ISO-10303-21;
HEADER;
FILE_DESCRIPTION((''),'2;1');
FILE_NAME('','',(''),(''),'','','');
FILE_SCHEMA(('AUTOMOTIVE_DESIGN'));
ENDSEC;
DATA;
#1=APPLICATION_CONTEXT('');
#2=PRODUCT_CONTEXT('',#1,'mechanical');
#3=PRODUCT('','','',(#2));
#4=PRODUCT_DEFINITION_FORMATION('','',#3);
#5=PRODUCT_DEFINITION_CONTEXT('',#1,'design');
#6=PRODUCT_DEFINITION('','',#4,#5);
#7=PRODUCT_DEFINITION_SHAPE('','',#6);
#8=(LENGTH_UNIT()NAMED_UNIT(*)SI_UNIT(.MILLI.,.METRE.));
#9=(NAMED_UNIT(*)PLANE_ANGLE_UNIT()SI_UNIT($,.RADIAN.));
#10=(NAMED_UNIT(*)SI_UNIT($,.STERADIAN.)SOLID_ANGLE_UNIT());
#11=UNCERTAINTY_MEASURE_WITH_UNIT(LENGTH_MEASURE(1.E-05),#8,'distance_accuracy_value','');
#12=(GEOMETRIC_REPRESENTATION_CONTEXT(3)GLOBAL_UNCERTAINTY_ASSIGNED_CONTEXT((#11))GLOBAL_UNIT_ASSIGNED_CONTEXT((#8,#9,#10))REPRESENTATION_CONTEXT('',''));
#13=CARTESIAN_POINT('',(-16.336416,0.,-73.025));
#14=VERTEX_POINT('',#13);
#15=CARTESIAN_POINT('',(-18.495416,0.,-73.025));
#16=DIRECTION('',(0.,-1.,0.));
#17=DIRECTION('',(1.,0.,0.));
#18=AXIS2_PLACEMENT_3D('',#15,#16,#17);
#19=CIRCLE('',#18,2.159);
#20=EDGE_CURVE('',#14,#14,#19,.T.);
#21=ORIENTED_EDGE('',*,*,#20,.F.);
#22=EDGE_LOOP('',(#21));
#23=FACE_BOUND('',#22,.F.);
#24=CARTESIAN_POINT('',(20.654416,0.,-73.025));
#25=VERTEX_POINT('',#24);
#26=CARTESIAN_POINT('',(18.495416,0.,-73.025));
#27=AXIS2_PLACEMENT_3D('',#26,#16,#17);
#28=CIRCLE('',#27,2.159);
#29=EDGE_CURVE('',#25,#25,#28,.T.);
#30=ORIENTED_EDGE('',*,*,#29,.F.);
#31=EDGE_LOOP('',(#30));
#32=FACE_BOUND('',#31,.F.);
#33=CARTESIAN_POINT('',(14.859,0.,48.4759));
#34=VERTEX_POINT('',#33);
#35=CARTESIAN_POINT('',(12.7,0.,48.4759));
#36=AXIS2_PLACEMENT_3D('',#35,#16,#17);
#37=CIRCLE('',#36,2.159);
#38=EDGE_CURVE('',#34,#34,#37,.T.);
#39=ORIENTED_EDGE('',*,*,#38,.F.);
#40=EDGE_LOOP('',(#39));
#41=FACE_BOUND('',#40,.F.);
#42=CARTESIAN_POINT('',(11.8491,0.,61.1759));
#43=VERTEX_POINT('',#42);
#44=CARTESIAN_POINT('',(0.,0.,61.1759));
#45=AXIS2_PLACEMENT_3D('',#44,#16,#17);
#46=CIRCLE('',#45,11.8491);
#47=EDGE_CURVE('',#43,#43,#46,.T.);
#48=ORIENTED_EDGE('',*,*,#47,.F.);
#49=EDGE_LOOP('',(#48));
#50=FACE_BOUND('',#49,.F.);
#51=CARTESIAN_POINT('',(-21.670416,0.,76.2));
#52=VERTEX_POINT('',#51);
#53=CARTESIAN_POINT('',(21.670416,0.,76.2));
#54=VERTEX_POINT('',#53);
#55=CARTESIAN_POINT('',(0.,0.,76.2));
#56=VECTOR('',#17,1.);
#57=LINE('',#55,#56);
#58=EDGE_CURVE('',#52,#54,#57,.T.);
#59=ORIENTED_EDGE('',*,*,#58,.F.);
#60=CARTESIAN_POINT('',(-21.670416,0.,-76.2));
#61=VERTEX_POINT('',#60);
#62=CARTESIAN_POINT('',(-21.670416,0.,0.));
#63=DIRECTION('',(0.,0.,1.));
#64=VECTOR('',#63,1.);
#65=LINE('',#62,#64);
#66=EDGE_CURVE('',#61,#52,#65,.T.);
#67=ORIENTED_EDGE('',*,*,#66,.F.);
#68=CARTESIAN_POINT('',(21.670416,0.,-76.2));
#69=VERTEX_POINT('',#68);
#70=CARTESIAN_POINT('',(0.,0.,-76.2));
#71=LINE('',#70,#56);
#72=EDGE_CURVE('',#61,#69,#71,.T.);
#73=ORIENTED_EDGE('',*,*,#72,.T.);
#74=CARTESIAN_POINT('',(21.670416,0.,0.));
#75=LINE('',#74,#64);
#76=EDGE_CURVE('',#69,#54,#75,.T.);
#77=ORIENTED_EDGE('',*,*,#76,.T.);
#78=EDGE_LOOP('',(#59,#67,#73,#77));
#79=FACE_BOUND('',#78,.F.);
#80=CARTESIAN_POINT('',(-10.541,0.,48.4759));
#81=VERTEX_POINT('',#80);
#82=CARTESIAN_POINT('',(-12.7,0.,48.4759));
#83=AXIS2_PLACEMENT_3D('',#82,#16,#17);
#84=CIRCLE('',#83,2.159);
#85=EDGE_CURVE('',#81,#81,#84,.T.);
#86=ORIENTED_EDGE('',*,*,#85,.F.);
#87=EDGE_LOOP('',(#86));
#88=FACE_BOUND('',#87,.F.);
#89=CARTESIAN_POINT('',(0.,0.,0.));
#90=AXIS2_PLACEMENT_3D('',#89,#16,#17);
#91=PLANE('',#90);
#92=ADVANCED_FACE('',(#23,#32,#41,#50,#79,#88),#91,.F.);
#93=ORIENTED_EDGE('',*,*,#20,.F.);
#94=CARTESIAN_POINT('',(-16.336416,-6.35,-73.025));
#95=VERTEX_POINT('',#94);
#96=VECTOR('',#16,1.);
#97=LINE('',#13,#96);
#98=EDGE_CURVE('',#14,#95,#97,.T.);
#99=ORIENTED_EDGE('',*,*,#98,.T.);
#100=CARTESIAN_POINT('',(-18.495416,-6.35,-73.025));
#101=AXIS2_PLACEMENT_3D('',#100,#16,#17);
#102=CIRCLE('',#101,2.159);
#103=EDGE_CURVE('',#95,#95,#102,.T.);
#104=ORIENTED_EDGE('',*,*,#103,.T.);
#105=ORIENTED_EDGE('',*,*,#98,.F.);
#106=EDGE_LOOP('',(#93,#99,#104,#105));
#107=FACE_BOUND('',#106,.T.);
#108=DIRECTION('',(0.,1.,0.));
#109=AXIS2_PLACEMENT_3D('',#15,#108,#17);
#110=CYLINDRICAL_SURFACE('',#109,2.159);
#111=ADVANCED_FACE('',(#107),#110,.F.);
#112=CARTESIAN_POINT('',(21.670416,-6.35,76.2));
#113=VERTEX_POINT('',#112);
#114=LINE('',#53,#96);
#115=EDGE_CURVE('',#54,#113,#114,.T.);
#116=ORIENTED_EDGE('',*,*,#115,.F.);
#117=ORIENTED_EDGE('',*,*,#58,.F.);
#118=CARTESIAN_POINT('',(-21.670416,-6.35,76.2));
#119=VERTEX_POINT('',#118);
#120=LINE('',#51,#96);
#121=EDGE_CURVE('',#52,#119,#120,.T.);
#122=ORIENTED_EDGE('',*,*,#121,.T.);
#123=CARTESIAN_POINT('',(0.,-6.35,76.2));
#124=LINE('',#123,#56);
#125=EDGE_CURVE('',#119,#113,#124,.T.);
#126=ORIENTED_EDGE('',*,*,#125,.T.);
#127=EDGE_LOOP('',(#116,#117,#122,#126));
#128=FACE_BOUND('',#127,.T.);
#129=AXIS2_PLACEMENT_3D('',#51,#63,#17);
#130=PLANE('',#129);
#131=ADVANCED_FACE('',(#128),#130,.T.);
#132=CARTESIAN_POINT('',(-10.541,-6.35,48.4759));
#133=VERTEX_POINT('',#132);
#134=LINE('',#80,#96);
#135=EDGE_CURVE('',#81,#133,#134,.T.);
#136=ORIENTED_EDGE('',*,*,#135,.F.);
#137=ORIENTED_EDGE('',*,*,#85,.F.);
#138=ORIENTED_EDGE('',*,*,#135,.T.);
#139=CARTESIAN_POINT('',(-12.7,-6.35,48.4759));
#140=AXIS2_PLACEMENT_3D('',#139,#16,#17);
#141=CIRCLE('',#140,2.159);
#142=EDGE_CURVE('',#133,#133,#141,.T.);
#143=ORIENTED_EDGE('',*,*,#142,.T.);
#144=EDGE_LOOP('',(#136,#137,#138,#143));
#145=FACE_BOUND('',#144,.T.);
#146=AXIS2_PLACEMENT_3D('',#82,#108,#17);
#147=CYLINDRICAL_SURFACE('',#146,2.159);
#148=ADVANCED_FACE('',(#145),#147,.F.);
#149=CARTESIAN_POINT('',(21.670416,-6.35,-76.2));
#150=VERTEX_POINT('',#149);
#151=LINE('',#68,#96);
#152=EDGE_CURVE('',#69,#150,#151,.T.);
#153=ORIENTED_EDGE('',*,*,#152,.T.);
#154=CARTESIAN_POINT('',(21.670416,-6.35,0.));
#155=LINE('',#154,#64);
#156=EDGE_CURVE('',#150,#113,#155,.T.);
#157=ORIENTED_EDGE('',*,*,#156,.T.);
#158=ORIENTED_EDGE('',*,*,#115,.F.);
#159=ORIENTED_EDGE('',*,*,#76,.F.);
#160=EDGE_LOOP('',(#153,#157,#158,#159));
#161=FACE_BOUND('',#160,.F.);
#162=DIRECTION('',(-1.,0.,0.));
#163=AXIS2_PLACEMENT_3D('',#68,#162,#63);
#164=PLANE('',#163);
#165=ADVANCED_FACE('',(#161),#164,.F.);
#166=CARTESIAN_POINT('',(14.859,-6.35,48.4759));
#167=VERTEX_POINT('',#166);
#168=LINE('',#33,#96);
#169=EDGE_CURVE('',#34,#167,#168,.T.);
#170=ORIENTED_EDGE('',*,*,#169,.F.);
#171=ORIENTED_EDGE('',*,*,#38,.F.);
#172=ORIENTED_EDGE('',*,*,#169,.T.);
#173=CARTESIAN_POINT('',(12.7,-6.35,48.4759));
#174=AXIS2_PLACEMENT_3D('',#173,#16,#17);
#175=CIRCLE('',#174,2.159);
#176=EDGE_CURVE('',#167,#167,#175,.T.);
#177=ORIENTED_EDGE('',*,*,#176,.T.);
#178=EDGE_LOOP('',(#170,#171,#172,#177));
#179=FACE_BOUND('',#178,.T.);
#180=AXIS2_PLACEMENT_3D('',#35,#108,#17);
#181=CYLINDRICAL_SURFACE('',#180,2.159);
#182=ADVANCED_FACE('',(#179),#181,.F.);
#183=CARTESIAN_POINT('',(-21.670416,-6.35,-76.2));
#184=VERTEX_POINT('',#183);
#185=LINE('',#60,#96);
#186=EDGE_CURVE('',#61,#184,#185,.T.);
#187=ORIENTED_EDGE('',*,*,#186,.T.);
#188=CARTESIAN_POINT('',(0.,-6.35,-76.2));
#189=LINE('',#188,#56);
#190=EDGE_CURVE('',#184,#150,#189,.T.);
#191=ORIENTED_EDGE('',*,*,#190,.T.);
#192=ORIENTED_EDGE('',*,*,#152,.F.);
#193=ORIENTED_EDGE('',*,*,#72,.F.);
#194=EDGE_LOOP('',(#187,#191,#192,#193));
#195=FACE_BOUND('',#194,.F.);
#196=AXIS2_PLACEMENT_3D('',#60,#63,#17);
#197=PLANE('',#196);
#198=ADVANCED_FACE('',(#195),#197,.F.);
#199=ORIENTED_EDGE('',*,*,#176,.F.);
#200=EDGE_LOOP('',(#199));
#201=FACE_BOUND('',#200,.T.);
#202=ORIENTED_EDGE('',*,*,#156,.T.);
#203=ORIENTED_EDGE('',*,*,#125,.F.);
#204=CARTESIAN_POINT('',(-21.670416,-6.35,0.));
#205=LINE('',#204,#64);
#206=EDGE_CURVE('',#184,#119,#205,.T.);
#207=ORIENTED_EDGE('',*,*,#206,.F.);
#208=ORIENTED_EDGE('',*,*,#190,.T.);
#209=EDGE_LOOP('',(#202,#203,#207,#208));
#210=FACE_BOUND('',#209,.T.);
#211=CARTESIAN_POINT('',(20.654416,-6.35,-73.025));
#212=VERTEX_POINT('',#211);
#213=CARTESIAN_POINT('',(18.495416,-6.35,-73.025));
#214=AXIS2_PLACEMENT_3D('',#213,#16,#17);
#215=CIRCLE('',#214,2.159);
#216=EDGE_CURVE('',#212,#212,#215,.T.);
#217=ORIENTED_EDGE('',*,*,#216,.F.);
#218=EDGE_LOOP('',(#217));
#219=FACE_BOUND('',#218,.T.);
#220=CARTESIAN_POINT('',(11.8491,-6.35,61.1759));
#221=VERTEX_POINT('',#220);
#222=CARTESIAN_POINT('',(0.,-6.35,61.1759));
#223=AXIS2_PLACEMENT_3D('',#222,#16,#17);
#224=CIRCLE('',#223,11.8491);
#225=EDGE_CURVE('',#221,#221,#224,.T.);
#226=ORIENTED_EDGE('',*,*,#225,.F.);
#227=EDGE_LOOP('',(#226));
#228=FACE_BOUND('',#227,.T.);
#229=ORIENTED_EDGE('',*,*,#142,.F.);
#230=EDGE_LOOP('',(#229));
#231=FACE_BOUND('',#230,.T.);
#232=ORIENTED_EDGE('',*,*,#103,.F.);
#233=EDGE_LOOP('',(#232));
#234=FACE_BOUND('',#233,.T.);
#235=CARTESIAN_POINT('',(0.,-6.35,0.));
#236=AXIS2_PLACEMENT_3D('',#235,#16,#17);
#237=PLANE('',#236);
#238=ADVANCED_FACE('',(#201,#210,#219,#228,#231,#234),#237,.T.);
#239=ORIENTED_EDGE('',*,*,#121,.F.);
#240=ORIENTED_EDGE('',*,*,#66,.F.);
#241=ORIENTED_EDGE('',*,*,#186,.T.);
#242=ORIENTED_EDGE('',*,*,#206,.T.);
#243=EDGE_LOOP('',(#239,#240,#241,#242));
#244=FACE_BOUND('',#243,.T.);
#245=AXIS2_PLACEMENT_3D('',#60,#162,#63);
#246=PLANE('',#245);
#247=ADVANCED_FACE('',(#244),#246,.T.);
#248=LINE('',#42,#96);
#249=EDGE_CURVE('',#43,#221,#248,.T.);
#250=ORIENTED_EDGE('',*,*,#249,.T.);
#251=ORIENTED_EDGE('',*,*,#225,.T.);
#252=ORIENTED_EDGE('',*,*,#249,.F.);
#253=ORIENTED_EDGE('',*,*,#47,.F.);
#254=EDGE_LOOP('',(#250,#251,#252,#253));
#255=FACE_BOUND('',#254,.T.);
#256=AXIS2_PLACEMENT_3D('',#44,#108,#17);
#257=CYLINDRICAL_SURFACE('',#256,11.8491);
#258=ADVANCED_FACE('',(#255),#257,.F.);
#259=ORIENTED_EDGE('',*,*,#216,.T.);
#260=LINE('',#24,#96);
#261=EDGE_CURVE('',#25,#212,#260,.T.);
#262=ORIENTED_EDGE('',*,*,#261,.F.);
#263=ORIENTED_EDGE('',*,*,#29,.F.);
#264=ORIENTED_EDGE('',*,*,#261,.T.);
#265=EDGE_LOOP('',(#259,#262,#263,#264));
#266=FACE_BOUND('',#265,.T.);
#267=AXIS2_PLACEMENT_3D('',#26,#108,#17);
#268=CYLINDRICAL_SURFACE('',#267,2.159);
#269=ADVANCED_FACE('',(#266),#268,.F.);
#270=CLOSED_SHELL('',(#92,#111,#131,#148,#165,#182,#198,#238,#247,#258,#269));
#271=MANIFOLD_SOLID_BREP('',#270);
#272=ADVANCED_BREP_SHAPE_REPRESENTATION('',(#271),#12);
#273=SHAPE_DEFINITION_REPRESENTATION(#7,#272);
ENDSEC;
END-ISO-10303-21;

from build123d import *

# Parameters (mm, degrees)
F0_W     = 43.340832
F0_H     = 152.4
F0_R     = 2.159
F0_R_2   = 11.8491
F1_DEPTH = 6.35


with BuildPart() as f1:
    # F0 (on Front) → F1 (new body)
    with BuildSketch(Plane.XZ):
        Rectangle(F0_W, F0_H)
        with Locations((-18.495416, -73.025)):
            Circle(F0_R, mode=Mode.SUBTRACT)
        with Locations((18.495416, -73.025)):
            Circle(F0_R, mode=Mode.SUBTRACT)
        with Locations((-12.7, 48.4759)):
            Circle(F0_R, mode=Mode.SUBTRACT)
        with Locations((0, 61.1759)):
            Circle(F0_R_2, mode=Mode.SUBTRACT)
        with Locations((12.7, 48.4759)):
            Circle(F0_R, mode=Mode.SUBTRACT)
    extrude(amount=F1_DEPTH)


solid = f1.part
